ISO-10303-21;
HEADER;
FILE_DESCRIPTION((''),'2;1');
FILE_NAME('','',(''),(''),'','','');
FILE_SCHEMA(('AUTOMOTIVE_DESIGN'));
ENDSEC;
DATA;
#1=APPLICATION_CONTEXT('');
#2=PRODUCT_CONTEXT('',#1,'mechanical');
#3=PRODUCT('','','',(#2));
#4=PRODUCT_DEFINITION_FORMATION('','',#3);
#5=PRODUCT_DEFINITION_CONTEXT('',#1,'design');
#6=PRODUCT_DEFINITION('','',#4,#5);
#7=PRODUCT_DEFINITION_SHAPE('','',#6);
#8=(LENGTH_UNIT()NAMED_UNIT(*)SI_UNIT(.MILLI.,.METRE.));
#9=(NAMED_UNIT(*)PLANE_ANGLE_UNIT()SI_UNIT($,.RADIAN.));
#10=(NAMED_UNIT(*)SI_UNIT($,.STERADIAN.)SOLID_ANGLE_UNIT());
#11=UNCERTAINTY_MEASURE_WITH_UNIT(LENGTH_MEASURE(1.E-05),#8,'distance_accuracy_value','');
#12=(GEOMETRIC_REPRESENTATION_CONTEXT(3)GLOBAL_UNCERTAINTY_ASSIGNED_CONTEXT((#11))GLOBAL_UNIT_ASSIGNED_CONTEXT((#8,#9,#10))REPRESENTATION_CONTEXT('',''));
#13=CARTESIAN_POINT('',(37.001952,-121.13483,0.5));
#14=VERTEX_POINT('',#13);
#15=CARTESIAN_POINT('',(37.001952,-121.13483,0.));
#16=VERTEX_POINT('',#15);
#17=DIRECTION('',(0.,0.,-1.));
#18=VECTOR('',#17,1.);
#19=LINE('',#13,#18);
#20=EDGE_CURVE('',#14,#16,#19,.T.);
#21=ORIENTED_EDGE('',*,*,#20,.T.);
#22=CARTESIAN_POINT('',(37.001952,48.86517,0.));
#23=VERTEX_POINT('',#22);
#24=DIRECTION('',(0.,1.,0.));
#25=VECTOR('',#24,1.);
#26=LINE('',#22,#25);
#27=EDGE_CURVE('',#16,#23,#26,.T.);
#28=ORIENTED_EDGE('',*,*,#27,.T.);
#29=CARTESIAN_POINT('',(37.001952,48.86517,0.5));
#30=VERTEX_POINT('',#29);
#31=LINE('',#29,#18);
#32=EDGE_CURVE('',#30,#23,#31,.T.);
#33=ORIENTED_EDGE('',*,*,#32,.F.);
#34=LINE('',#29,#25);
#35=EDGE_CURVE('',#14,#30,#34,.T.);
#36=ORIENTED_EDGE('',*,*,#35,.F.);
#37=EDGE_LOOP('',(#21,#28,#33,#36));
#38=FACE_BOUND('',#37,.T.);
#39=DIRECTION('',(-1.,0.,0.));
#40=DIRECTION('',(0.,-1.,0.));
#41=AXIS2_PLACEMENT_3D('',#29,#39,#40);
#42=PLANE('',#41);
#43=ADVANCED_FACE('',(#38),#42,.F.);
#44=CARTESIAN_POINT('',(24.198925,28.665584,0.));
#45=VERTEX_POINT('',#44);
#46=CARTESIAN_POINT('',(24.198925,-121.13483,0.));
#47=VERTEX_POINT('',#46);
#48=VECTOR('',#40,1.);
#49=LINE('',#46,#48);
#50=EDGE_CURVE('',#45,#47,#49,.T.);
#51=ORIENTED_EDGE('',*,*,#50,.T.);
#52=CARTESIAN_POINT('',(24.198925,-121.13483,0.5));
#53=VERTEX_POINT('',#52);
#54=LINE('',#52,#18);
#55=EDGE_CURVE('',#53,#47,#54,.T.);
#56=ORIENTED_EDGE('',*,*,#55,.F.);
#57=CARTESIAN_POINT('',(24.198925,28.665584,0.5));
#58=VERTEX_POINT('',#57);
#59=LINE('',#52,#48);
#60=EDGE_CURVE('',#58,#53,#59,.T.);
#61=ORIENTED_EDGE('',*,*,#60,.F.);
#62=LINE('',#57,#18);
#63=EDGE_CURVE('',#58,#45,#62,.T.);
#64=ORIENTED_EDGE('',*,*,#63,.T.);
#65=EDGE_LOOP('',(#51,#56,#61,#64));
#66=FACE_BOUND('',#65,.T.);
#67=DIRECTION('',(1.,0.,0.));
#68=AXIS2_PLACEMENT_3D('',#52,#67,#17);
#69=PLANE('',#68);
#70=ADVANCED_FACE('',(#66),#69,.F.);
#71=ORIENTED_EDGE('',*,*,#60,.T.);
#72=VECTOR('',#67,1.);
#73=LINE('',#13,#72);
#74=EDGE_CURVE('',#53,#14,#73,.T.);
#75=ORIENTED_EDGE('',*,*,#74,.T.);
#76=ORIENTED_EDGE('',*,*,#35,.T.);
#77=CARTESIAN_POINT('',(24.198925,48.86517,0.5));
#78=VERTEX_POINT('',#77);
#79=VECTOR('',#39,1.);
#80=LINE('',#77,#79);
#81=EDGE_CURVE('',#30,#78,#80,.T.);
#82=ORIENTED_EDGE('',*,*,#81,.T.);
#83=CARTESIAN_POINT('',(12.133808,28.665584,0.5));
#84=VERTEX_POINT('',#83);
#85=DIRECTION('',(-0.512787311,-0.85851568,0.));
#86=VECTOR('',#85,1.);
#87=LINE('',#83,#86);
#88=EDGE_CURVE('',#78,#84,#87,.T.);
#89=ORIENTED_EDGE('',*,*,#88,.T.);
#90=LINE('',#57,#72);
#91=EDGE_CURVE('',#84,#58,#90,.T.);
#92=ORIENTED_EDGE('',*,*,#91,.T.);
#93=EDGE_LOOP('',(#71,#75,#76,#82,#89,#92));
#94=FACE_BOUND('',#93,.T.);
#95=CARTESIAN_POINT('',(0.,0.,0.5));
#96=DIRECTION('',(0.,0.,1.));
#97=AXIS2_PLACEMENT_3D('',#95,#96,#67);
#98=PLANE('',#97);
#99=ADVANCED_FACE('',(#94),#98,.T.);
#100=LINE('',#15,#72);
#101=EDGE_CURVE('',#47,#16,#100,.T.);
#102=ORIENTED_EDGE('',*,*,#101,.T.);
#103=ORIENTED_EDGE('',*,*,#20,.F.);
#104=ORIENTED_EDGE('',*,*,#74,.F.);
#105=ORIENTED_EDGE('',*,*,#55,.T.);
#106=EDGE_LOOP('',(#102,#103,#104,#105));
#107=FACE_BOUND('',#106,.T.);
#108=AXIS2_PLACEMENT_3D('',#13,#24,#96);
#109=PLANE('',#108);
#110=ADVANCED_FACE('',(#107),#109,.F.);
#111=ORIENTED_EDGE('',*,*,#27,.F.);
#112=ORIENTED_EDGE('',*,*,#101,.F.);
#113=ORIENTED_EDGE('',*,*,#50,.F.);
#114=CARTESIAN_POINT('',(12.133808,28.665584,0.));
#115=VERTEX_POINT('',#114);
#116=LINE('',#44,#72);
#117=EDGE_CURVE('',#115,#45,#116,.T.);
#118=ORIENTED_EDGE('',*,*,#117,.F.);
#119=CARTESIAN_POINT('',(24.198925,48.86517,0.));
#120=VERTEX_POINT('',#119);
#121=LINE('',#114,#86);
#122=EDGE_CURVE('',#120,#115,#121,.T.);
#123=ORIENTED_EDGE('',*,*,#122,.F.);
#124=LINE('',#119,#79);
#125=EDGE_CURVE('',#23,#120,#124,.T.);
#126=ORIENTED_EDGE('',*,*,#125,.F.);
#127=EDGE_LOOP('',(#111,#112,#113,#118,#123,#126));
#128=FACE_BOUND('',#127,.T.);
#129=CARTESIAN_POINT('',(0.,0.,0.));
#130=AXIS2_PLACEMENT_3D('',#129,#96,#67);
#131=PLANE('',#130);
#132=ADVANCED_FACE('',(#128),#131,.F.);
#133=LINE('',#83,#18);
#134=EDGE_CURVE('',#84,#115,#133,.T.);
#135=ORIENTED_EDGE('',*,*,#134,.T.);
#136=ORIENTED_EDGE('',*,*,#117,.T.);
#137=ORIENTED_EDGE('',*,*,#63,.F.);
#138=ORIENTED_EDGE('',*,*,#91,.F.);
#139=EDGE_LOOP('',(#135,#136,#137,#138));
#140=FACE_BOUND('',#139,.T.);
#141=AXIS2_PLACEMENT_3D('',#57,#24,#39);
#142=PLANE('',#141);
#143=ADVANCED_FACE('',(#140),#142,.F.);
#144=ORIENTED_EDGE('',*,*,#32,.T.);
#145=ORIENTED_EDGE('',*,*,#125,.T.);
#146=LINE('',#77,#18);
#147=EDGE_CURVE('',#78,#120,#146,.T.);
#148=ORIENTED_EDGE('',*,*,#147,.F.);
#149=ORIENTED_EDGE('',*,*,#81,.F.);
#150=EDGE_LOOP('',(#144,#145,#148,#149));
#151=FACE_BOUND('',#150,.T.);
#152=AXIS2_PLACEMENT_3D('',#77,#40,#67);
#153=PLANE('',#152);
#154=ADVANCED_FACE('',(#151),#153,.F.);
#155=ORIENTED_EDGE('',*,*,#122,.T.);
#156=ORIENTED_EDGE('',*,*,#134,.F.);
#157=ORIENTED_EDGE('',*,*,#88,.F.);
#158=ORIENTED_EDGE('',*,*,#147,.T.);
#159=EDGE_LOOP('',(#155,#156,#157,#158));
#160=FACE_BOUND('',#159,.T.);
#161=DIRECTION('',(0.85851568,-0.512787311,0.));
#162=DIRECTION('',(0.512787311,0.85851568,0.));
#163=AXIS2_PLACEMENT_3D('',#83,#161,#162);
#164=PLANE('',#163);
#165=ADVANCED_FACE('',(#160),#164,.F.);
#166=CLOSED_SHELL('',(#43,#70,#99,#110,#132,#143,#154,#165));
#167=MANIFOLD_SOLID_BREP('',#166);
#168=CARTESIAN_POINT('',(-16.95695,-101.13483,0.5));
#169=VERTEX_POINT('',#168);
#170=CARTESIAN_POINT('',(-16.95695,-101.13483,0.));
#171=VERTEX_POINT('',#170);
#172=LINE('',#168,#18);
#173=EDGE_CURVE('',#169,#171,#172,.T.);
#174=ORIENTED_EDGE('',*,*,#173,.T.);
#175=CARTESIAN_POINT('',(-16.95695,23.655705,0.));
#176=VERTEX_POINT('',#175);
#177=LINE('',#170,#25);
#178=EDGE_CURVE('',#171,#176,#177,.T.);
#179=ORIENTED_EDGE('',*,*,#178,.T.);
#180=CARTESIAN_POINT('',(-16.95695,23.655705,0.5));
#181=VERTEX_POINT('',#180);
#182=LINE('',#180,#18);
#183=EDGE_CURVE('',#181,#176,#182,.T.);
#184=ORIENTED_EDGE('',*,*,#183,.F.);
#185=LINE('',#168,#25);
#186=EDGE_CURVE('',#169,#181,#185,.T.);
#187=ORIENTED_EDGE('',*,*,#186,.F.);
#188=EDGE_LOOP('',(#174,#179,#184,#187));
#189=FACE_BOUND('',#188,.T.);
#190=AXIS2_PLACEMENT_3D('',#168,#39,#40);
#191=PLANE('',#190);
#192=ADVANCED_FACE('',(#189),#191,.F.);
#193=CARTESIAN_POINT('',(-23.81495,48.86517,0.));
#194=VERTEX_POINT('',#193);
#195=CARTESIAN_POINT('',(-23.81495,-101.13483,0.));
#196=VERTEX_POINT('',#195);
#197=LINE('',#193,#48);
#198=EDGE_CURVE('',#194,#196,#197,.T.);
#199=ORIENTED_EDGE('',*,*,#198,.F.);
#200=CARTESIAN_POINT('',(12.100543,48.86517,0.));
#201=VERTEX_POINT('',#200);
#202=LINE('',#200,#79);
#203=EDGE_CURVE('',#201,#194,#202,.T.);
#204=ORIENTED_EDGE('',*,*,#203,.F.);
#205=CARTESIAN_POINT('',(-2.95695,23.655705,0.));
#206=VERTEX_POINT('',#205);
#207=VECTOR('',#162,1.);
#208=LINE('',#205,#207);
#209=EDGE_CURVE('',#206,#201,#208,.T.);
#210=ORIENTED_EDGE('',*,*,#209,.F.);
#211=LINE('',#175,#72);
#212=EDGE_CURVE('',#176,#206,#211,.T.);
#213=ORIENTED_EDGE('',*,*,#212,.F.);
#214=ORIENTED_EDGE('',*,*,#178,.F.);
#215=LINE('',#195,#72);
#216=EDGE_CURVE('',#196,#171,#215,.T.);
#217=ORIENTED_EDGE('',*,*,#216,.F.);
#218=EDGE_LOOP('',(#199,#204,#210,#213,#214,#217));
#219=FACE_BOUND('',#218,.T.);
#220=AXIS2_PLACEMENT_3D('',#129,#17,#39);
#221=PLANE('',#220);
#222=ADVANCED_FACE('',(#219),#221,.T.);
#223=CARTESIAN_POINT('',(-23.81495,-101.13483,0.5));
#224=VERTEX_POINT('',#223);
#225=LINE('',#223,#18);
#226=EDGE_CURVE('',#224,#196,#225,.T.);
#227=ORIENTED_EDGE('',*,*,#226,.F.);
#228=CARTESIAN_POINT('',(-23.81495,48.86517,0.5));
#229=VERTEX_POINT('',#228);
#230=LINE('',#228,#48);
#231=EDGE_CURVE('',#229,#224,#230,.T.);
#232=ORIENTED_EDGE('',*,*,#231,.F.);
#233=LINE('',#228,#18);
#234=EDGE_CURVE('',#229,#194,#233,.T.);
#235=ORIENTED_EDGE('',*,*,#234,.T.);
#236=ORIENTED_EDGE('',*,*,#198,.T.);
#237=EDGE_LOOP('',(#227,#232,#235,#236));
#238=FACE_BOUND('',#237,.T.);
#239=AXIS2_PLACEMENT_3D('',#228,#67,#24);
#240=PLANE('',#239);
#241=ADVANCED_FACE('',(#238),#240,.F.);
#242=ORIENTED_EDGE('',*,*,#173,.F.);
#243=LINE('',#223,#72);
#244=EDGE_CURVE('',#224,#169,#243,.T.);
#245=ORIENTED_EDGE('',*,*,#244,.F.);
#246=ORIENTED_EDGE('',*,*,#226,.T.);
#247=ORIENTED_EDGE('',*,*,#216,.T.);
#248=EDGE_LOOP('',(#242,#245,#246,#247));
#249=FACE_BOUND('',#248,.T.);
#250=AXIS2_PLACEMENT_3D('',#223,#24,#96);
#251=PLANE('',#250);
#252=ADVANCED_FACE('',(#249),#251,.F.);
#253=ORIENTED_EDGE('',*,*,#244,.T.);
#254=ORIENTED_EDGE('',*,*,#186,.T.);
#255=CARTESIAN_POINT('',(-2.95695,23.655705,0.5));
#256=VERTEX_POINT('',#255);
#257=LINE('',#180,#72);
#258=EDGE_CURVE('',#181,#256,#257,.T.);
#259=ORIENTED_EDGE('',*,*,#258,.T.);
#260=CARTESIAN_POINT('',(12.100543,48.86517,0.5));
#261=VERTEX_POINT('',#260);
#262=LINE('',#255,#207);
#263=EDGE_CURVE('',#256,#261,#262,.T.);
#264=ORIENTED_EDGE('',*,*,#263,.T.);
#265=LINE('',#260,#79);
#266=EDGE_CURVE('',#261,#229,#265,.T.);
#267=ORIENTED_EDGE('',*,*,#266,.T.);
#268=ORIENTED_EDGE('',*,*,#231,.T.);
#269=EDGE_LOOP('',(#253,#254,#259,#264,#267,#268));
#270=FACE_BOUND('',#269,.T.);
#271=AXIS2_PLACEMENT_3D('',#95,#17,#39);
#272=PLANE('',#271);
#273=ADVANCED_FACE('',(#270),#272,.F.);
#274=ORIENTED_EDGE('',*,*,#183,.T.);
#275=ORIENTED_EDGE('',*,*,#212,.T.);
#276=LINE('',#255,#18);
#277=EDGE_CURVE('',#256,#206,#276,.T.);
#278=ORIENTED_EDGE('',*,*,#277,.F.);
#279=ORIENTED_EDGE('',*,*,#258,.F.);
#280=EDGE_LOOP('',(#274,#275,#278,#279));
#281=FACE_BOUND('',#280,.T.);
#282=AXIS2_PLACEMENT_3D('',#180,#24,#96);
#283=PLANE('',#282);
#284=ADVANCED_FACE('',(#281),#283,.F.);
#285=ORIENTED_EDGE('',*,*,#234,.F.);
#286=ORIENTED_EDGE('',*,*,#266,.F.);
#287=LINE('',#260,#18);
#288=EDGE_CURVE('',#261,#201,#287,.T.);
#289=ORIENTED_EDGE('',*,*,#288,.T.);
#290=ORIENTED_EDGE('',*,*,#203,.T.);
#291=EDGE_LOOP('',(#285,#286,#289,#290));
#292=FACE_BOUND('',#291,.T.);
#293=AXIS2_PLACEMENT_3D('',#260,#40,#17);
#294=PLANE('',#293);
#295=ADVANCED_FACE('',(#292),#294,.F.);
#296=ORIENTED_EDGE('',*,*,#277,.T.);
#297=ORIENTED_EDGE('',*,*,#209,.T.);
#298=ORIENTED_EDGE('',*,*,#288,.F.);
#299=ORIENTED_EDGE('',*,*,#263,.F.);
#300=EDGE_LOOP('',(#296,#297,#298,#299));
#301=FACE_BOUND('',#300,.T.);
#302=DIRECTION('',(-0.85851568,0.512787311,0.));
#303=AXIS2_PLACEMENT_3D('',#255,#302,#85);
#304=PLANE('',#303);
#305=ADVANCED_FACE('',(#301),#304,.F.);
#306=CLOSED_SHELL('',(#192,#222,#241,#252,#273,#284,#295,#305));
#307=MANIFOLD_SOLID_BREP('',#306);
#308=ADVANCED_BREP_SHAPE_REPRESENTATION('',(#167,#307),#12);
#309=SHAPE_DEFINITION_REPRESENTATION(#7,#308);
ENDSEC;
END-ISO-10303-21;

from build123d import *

# Parameters (mm, degrees)
BOSS_EXTRUDE2_DEPTH   = 0.5
BOSS_EXTRUDE2_2_DEPTH = 0.5


with BuildPart() as part:
    # Sketch3 → Boss-Extrude2 (new body)
    with BuildSketch(Plane.XY):
        Polygon((12.133808438, 28.665583791), (24.198924842, 48.865170223), (37.00195168, 48.865170223), (37.00195168, -121.134829777), (24.198924842, -121.134829777), (24.198924842, 28.665583791), align=None)
    extrude(amount=BOSS_EXTRUDE2_DEPTH)


with BuildPart() as body_2:
    # Sketch3 → Boss-Extrude2 2 (new body)
    with BuildSketch(Plane.XY):
        Polygon((-2.956949729, 23.655705163), (12.100543229, 48.865170223), (-23.814949729, 48.865170223), (-23.814949729, -101.134829777), (-16.956949729, -101.134829777), (-16.956949729, 23.655705163), align=None)
    extrude(amount=BOSS_EXTRUDE2_2_DEPTH)


solid = Compound([part.part, body_2.part])
